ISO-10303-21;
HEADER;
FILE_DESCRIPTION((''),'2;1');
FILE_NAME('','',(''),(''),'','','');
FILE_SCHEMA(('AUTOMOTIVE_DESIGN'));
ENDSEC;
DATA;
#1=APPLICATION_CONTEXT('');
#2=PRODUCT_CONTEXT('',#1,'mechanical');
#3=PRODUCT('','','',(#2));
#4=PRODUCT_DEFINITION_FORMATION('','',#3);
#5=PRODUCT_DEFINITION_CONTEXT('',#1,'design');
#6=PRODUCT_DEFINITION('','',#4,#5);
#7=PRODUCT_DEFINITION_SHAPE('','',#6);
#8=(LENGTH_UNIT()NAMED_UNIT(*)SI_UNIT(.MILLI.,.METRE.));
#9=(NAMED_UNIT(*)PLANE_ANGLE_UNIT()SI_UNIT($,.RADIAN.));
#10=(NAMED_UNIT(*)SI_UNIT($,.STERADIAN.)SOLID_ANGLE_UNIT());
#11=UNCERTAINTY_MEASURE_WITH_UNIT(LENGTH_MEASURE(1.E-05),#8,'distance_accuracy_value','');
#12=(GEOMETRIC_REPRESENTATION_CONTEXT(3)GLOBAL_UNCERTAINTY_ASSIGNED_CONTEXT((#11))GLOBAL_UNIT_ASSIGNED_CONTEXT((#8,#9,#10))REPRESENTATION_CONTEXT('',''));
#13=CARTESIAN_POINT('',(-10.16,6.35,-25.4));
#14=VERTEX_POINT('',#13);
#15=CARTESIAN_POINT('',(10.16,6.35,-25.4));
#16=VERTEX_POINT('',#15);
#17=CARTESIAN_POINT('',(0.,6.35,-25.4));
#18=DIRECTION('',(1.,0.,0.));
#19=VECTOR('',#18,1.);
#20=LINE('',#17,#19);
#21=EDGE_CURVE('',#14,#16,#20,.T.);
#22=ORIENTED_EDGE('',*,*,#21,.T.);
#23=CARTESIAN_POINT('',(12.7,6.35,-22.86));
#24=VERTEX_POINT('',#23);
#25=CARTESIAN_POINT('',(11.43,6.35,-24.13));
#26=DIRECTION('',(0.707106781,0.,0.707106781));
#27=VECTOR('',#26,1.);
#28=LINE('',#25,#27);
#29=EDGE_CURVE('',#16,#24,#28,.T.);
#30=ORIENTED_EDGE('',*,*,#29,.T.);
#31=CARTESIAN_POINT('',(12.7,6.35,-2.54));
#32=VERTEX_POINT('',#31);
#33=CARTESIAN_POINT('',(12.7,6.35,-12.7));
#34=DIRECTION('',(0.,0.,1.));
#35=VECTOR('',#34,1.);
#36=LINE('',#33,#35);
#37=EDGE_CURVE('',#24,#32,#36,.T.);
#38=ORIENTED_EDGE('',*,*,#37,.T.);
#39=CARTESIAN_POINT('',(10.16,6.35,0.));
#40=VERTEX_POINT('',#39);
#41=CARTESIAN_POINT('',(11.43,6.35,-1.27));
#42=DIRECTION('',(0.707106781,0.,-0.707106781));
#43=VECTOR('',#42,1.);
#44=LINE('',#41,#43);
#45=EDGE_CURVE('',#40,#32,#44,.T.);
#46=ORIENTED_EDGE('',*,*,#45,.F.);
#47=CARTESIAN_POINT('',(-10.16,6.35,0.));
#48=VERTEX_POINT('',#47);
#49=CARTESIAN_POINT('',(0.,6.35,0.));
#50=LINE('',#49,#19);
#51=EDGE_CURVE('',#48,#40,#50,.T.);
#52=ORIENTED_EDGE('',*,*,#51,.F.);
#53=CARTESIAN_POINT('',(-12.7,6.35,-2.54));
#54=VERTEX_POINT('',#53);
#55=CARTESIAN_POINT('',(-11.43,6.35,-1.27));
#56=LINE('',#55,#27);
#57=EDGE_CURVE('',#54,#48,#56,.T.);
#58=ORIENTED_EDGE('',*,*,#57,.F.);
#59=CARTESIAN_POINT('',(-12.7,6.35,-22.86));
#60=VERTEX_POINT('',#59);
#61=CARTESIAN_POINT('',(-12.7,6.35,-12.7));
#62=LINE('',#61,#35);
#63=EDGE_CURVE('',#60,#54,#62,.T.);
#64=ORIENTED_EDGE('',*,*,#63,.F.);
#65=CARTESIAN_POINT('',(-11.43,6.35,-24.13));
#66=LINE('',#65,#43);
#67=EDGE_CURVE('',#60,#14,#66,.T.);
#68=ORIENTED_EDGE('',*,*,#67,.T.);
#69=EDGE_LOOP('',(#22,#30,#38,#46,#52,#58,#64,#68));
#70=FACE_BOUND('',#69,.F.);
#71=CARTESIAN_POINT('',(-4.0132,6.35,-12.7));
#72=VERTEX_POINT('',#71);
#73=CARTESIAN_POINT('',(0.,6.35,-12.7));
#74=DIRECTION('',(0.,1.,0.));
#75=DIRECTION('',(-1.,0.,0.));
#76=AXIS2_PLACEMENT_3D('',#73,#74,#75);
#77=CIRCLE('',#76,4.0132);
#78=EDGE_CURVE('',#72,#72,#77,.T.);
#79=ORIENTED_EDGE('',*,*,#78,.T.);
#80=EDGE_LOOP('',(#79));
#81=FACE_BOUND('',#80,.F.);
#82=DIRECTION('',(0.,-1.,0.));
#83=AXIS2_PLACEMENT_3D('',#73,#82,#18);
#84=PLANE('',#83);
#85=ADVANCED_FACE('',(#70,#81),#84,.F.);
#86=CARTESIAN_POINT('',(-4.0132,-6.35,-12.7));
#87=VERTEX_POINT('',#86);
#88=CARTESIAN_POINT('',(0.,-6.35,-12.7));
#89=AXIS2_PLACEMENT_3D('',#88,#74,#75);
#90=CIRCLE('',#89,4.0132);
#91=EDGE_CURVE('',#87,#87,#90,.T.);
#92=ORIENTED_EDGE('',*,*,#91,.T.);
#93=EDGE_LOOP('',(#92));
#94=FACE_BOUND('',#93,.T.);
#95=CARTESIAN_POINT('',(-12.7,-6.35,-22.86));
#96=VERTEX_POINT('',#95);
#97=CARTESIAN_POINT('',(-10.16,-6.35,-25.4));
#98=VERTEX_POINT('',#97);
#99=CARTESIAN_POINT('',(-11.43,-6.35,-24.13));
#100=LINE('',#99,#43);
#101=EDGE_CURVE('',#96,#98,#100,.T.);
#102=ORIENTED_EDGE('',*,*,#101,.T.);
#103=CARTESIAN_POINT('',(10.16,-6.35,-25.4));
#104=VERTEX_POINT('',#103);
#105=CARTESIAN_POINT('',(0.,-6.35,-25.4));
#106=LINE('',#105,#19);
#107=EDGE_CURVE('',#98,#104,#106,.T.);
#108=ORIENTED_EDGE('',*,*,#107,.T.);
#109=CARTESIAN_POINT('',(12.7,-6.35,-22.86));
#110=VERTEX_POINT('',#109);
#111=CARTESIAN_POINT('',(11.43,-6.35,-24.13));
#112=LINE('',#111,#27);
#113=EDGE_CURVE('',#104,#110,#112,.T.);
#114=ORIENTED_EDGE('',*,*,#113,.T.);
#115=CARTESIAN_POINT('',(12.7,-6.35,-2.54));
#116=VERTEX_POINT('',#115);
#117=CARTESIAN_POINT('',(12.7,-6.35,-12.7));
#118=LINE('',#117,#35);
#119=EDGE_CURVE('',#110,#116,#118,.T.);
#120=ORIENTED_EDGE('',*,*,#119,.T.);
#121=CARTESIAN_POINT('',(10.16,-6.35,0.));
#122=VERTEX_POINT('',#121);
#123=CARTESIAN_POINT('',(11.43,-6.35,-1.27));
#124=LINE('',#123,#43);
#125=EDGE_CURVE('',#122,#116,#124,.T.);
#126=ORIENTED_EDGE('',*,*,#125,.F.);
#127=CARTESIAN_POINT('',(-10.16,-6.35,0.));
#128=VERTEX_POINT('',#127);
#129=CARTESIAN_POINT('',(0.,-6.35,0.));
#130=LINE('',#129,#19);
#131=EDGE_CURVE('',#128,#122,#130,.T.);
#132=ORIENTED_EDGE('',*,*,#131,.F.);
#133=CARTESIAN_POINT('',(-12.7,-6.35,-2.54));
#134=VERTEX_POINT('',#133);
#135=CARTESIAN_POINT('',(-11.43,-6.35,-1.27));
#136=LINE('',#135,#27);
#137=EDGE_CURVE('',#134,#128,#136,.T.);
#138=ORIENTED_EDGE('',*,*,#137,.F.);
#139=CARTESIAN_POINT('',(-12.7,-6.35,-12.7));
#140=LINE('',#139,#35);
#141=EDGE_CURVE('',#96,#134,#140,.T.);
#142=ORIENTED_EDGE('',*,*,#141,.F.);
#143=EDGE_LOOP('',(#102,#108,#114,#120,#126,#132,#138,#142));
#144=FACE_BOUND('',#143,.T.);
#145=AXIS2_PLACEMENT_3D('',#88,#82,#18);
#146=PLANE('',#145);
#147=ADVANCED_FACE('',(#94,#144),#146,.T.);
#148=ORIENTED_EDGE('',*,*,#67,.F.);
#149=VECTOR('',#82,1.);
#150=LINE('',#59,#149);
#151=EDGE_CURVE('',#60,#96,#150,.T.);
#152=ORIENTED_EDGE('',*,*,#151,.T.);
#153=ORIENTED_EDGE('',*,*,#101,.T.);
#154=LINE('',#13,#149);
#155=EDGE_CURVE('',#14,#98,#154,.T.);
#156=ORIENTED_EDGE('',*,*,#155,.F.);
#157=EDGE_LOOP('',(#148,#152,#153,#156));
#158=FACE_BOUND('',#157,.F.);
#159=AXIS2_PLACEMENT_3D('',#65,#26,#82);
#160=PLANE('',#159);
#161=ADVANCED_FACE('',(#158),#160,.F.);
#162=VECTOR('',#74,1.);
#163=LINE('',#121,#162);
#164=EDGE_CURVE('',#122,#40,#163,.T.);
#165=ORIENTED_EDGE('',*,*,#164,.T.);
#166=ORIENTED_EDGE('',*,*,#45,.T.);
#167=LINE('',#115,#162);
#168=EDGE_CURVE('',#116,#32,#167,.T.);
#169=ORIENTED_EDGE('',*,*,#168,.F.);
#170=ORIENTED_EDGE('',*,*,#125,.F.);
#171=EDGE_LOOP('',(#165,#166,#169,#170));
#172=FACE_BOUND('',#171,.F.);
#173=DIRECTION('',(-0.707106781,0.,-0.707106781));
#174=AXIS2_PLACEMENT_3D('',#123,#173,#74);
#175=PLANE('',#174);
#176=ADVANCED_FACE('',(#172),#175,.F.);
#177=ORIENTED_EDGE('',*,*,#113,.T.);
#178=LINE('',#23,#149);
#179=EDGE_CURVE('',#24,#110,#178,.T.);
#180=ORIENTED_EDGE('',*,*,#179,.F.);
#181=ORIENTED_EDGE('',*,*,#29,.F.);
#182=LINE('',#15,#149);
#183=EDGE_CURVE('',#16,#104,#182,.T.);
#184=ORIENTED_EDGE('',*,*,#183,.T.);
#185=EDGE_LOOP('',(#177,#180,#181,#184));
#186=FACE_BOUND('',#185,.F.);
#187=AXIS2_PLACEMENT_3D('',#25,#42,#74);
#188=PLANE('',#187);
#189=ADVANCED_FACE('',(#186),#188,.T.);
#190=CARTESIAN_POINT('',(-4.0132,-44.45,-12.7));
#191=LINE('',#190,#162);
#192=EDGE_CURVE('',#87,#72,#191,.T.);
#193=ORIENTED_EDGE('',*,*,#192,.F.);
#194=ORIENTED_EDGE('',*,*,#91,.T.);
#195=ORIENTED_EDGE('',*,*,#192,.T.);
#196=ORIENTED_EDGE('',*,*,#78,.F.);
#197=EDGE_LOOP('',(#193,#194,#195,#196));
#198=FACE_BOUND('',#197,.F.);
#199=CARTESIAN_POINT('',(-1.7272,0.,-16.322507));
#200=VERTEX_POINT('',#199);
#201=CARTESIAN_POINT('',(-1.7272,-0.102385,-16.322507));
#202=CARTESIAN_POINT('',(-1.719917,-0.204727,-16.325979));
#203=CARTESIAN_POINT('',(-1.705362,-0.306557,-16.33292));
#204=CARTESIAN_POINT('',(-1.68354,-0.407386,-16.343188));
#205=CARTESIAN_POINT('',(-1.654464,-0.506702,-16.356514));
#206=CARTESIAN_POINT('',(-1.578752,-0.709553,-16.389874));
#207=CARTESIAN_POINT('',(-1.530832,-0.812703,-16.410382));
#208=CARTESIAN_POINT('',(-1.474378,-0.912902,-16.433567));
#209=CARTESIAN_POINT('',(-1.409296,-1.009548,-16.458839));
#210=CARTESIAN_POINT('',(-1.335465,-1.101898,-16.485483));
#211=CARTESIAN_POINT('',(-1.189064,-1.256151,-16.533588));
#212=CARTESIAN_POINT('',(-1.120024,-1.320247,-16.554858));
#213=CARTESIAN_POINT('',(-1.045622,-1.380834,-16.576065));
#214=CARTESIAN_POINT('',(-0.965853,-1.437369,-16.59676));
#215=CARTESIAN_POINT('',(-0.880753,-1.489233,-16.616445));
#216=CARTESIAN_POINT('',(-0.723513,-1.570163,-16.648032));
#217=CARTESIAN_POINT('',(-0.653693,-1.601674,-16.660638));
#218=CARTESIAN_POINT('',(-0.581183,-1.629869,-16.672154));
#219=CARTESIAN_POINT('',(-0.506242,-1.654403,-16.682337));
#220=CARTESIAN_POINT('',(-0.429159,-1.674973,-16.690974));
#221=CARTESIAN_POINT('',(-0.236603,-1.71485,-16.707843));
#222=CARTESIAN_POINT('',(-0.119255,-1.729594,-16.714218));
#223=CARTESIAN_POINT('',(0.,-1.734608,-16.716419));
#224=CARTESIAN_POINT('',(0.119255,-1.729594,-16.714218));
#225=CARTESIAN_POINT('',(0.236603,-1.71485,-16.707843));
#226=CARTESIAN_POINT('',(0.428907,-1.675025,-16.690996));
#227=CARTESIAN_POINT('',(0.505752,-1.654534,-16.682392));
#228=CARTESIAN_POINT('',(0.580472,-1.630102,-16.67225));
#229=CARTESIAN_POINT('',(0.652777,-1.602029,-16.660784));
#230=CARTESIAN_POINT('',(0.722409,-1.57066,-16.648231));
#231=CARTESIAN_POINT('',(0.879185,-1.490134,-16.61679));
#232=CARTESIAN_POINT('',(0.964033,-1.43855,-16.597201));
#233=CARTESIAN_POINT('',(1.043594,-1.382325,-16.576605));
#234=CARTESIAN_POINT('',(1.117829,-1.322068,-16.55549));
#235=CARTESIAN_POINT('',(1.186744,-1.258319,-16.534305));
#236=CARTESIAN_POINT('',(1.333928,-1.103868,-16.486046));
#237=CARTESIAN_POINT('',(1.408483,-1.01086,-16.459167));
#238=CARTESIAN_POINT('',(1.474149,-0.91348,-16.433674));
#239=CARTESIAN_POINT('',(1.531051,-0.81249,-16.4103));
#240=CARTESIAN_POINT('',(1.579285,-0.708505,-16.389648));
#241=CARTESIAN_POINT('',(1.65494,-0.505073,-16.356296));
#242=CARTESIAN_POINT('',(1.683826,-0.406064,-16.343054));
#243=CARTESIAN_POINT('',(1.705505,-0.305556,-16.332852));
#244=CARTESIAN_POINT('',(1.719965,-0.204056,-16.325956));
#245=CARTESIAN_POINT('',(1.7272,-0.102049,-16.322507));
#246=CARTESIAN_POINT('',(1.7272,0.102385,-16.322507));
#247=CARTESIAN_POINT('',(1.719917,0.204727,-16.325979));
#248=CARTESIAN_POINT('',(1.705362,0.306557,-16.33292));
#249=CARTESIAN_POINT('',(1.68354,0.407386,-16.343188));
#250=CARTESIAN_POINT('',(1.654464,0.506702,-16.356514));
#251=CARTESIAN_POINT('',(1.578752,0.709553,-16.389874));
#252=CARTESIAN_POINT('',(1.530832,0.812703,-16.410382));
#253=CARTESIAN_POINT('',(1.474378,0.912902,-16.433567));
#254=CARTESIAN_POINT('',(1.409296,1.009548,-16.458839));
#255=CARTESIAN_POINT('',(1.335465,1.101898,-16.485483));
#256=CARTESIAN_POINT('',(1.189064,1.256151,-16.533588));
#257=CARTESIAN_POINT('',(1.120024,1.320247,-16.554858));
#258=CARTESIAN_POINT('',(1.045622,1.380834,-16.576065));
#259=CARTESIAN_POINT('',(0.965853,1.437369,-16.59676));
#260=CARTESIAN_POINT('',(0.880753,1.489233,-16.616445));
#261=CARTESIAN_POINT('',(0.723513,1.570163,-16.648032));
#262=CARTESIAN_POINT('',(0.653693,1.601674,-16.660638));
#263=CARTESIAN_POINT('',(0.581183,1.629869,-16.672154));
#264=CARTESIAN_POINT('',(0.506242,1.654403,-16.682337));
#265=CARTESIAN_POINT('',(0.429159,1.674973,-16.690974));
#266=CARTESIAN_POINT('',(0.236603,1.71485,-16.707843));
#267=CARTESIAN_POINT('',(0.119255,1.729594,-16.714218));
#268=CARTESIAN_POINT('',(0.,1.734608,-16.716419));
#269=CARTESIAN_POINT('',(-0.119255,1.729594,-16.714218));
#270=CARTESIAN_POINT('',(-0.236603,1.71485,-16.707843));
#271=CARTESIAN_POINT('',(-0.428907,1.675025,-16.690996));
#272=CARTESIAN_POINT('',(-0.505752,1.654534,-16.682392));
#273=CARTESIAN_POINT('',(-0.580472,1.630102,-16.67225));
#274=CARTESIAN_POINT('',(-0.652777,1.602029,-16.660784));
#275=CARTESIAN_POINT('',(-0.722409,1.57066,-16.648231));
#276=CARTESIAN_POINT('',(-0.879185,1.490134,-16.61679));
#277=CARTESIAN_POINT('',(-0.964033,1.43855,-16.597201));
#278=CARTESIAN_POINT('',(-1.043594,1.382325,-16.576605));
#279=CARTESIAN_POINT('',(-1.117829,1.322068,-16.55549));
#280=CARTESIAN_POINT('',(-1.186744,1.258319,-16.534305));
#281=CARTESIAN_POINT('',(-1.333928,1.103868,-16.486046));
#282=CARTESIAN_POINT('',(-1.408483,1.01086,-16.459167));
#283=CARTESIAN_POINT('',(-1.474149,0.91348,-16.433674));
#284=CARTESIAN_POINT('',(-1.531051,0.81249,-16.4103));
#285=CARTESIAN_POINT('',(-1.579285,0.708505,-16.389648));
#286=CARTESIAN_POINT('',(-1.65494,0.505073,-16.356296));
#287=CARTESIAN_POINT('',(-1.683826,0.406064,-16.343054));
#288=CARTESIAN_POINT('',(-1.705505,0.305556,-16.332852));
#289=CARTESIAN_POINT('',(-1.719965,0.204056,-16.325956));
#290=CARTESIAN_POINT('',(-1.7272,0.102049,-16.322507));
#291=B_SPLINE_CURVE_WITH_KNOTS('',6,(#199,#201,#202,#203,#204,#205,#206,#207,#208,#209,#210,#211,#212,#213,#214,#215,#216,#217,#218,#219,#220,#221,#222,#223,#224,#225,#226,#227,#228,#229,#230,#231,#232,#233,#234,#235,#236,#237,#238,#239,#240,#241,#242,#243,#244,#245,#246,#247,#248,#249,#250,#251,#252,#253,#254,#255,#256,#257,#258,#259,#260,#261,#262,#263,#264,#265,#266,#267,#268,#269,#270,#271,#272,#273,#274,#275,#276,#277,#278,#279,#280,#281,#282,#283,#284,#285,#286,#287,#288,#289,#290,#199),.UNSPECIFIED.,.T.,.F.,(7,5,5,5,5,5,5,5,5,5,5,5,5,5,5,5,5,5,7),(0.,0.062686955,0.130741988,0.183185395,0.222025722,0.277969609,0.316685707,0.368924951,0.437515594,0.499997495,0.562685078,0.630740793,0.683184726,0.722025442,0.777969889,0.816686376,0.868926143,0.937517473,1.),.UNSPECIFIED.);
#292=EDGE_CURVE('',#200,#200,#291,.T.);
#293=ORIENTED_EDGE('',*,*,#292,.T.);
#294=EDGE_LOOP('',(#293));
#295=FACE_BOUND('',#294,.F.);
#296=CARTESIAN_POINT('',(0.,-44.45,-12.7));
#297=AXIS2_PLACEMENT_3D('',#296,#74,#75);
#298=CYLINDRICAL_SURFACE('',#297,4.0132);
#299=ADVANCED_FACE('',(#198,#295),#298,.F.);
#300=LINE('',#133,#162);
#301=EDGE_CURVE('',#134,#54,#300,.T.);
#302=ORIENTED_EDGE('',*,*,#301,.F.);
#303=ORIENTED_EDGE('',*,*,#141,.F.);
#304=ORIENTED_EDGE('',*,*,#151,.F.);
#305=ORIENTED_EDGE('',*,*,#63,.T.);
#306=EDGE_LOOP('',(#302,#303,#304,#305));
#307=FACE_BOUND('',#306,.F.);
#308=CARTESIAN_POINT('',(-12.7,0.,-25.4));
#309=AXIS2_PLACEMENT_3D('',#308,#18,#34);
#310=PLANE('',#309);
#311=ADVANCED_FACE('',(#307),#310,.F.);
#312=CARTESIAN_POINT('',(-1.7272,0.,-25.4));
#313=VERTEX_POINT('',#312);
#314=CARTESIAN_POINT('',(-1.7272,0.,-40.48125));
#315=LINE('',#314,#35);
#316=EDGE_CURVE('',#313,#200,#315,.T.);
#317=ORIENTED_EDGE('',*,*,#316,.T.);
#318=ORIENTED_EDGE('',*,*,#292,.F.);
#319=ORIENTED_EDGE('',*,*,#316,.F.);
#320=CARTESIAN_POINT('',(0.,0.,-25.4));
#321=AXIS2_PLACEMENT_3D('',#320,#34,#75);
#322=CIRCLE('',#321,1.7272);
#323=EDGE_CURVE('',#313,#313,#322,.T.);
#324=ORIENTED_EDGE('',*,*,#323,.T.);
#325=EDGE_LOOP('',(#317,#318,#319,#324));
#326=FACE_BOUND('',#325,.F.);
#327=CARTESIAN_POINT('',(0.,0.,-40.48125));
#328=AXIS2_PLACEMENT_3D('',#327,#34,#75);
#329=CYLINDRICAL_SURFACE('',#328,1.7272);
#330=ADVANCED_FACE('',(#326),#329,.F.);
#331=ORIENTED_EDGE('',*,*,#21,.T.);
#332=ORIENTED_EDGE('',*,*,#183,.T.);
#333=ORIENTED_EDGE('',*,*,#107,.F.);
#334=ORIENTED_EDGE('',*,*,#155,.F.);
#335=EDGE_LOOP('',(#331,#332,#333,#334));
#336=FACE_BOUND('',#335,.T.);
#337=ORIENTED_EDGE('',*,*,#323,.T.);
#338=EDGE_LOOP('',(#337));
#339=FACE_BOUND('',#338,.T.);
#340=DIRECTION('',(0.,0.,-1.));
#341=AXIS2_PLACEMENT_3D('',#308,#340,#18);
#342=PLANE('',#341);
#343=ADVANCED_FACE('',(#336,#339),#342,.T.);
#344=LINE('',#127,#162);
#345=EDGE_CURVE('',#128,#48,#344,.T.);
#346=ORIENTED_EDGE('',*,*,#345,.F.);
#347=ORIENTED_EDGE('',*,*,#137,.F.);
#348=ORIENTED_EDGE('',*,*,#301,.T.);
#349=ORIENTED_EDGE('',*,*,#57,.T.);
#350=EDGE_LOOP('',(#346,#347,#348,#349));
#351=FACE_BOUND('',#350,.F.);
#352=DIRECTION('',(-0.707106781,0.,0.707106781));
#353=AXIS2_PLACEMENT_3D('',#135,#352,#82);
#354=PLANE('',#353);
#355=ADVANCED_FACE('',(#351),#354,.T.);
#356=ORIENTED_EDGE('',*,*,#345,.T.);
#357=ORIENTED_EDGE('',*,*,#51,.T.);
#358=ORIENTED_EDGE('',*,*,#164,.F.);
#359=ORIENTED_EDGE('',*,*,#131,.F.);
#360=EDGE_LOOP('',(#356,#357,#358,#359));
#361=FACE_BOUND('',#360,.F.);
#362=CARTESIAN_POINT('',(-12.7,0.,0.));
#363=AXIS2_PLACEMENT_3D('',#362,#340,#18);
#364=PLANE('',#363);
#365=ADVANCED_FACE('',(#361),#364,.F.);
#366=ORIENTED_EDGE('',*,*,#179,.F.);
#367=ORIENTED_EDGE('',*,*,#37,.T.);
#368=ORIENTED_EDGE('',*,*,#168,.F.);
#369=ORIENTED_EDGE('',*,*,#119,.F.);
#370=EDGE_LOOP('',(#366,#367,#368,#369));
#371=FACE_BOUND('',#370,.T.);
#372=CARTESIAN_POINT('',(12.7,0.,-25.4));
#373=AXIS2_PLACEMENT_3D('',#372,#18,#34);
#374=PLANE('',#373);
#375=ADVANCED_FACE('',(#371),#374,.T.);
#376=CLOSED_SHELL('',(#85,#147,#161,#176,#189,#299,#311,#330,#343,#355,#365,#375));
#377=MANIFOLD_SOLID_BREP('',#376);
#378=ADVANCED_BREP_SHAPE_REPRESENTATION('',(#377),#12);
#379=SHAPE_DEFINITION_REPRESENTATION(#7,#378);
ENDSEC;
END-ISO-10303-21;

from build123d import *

# Parameters (mm, degrees)
F0_W     = 25.4
F0_H     = 25.4
F1_DEPTH = 6.35
F3_D     = 8.0264
F5_D     = 3.4544
F5_DEPTH = 15.08125
F5_TIP   = 1.0378064612
F6_SIZE  = 2.54


with BuildPart() as f1:
    # F0 (on Front) → F1 (new body, symmetric)
    with BuildSketch(Plane.XZ):
        with Locations((0, -12.7)):
            Rectangle(F0_W, F0_H)
    extrude(amount=F1_DEPTH, both=True)

    # F3 (through all)
    with Locations(Plane.XZ.offset(6.35)):
        with Locations((0, -12.7)):
            Hole(F3_D / 2)

    # F5
    with Locations(Plane(origin=(0, 0, -25.4), x_dir=(1, 0, 0), z_dir=(0, 0, -1))):
        with Locations((0, 0)):
            Hole(F5_D / 2, depth=F5_DEPTH)
            with Locations((0, 0, -(F5_DEPTH + F5_TIP / 2))):  # 118° drill point
                Cone(0, F5_D / 2, F5_TIP, mode=Mode.SUBTRACT)

    # F6
    f6_edges = [f1.edges().sort_by_distance(p)[0] for p in [
        (12.7, 0, -25.4),
        (-12.7, 0, -25.4),
        (-12.7, 0, 0),
        (12.7, 0, 0),
    ]]
    chamfer(f6_edges, length=F6_SIZE)


solid = f1.part
